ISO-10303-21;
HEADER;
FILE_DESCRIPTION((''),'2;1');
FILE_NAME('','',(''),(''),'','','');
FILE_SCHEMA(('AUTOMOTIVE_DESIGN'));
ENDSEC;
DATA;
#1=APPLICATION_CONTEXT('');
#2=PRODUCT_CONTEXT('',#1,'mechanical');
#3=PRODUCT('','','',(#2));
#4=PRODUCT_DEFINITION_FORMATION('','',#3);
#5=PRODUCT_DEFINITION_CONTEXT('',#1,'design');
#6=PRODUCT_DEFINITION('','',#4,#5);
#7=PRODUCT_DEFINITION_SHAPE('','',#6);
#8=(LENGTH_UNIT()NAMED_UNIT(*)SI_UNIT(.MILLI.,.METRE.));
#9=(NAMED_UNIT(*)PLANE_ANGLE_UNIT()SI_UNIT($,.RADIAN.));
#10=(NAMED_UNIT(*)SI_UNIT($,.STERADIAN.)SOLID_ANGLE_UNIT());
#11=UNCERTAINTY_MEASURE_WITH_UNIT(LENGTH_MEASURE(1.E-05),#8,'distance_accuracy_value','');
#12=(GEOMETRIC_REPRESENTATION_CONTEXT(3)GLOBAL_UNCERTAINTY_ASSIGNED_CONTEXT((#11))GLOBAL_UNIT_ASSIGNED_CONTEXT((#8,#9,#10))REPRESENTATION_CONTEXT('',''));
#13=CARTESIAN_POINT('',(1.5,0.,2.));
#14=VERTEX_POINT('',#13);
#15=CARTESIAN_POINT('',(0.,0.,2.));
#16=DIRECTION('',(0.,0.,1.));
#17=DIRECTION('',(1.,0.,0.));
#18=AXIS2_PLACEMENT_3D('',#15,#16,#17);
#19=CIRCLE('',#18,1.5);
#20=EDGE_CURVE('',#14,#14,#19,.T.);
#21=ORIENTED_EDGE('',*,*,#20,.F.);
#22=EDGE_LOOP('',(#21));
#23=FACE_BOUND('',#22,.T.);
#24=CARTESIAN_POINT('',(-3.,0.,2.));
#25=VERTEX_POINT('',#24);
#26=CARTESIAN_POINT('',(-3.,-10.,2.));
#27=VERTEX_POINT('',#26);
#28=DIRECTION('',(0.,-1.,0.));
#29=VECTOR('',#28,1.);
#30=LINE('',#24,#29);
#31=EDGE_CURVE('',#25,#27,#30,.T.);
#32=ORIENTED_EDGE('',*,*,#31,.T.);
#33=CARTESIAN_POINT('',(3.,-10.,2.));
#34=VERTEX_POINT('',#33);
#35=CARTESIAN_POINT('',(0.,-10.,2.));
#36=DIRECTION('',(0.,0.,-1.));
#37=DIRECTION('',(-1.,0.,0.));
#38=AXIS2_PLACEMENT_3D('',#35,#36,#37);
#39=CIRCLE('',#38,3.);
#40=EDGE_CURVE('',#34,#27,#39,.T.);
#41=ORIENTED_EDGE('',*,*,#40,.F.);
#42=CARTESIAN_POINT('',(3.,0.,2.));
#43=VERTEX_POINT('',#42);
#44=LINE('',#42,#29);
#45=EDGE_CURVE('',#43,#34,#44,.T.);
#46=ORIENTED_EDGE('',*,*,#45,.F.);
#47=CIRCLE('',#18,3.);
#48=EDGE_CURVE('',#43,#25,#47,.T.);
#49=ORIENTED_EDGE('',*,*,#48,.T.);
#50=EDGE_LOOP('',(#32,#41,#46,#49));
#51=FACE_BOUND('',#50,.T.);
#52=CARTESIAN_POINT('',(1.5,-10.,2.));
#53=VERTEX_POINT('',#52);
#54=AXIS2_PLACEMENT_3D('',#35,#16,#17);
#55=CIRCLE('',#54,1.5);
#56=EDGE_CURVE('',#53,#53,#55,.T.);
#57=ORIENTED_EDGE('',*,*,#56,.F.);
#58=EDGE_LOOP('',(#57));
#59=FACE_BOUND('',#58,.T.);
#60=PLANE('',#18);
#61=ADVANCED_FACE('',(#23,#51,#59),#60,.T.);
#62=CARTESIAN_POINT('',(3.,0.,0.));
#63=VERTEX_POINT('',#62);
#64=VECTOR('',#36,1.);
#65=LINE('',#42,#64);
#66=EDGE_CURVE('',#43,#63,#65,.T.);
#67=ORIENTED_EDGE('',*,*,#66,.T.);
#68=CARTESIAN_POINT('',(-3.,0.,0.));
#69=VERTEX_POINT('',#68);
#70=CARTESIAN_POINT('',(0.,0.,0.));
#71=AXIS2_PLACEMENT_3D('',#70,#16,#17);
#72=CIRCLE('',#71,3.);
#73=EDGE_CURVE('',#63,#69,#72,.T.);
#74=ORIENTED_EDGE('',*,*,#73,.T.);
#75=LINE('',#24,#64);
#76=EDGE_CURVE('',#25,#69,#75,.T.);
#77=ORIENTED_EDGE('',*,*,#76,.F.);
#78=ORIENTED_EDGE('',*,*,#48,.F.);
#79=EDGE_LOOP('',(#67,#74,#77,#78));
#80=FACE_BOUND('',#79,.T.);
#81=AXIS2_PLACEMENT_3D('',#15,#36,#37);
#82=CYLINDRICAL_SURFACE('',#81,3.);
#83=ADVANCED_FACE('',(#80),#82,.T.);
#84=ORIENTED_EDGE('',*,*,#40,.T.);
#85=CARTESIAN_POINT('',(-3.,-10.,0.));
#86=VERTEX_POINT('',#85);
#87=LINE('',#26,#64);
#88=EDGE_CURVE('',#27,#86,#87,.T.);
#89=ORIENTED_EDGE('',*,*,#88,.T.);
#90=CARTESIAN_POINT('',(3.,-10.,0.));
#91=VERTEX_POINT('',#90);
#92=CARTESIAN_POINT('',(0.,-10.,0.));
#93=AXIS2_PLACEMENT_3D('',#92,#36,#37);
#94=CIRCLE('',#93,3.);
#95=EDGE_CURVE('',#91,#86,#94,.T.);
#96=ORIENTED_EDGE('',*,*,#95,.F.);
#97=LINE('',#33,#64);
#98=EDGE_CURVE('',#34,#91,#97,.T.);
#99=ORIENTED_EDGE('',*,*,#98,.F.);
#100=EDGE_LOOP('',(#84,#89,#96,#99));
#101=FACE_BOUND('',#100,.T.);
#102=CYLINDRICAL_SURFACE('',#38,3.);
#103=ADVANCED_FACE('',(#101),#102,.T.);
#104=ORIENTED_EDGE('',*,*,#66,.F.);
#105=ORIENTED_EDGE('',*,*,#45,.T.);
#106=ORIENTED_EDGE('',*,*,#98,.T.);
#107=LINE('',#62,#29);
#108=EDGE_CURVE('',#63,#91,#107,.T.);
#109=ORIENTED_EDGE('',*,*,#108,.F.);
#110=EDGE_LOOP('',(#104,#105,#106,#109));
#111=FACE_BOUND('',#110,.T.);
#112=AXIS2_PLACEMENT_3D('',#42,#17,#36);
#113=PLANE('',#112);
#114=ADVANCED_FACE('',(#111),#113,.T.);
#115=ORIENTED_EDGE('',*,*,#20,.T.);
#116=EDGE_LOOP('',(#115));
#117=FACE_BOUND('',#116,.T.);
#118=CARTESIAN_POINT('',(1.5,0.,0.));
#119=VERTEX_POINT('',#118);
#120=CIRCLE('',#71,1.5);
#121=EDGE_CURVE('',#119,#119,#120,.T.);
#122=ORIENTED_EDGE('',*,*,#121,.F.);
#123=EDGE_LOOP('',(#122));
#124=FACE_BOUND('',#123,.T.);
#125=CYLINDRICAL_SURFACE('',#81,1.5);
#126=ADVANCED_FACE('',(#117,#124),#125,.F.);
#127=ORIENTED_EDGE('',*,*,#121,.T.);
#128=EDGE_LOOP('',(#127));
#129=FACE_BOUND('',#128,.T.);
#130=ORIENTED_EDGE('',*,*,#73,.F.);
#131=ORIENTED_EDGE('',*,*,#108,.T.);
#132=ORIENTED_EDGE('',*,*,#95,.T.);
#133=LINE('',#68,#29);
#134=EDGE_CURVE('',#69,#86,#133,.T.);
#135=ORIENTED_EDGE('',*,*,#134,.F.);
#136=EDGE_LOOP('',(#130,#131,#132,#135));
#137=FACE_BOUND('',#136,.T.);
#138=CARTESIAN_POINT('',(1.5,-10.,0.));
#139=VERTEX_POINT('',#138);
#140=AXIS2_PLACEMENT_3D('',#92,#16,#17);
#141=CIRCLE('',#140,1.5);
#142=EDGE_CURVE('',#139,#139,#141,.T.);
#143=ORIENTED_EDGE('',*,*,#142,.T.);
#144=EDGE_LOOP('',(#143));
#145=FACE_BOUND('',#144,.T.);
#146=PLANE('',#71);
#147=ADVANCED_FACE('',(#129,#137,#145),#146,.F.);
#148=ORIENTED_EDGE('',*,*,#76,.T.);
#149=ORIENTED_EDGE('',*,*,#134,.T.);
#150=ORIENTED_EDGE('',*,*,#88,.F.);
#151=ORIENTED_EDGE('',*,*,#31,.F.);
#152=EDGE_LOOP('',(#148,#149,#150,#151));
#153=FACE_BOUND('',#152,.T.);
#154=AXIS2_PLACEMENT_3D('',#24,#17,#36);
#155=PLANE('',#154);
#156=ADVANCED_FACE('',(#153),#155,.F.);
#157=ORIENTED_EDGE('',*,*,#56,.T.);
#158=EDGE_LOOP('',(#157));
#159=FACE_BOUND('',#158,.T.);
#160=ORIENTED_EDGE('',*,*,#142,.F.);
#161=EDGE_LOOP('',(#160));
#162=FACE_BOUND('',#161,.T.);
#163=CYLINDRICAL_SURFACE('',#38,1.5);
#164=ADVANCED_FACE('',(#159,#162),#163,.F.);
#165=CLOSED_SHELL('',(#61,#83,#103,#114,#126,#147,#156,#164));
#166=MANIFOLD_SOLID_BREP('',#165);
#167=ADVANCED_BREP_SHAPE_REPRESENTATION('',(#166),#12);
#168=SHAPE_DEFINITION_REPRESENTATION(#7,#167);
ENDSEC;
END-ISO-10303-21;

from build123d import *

# Parameters (mm, degrees)
SKETCH_1_R      = 1.5
EXTRUDE_1_DEPTH = 2


with BuildPart() as part:
    # 草图1 → 凸台-拉伸1 (new body)
    with BuildSketch(Plane.XY):
        with BuildLine():
            Line((3, 0), (3, -10))
            ThreePointArc((3, -10), (0, -13), (-3, -10))
            Line((-3, -10), (-3, 0))
            ThreePointArc((-3, 0), (0, 3), (3, 0))
        make_face()
        Circle(SKETCH_1_R, mode=Mode.SUBTRACT)
        with Locations((0, -10)):
            Circle(SKETCH_1_R, mode=Mode.SUBTRACT)
    extrude(amount=EXTRUDE_1_DEPTH)


solid = part.part
